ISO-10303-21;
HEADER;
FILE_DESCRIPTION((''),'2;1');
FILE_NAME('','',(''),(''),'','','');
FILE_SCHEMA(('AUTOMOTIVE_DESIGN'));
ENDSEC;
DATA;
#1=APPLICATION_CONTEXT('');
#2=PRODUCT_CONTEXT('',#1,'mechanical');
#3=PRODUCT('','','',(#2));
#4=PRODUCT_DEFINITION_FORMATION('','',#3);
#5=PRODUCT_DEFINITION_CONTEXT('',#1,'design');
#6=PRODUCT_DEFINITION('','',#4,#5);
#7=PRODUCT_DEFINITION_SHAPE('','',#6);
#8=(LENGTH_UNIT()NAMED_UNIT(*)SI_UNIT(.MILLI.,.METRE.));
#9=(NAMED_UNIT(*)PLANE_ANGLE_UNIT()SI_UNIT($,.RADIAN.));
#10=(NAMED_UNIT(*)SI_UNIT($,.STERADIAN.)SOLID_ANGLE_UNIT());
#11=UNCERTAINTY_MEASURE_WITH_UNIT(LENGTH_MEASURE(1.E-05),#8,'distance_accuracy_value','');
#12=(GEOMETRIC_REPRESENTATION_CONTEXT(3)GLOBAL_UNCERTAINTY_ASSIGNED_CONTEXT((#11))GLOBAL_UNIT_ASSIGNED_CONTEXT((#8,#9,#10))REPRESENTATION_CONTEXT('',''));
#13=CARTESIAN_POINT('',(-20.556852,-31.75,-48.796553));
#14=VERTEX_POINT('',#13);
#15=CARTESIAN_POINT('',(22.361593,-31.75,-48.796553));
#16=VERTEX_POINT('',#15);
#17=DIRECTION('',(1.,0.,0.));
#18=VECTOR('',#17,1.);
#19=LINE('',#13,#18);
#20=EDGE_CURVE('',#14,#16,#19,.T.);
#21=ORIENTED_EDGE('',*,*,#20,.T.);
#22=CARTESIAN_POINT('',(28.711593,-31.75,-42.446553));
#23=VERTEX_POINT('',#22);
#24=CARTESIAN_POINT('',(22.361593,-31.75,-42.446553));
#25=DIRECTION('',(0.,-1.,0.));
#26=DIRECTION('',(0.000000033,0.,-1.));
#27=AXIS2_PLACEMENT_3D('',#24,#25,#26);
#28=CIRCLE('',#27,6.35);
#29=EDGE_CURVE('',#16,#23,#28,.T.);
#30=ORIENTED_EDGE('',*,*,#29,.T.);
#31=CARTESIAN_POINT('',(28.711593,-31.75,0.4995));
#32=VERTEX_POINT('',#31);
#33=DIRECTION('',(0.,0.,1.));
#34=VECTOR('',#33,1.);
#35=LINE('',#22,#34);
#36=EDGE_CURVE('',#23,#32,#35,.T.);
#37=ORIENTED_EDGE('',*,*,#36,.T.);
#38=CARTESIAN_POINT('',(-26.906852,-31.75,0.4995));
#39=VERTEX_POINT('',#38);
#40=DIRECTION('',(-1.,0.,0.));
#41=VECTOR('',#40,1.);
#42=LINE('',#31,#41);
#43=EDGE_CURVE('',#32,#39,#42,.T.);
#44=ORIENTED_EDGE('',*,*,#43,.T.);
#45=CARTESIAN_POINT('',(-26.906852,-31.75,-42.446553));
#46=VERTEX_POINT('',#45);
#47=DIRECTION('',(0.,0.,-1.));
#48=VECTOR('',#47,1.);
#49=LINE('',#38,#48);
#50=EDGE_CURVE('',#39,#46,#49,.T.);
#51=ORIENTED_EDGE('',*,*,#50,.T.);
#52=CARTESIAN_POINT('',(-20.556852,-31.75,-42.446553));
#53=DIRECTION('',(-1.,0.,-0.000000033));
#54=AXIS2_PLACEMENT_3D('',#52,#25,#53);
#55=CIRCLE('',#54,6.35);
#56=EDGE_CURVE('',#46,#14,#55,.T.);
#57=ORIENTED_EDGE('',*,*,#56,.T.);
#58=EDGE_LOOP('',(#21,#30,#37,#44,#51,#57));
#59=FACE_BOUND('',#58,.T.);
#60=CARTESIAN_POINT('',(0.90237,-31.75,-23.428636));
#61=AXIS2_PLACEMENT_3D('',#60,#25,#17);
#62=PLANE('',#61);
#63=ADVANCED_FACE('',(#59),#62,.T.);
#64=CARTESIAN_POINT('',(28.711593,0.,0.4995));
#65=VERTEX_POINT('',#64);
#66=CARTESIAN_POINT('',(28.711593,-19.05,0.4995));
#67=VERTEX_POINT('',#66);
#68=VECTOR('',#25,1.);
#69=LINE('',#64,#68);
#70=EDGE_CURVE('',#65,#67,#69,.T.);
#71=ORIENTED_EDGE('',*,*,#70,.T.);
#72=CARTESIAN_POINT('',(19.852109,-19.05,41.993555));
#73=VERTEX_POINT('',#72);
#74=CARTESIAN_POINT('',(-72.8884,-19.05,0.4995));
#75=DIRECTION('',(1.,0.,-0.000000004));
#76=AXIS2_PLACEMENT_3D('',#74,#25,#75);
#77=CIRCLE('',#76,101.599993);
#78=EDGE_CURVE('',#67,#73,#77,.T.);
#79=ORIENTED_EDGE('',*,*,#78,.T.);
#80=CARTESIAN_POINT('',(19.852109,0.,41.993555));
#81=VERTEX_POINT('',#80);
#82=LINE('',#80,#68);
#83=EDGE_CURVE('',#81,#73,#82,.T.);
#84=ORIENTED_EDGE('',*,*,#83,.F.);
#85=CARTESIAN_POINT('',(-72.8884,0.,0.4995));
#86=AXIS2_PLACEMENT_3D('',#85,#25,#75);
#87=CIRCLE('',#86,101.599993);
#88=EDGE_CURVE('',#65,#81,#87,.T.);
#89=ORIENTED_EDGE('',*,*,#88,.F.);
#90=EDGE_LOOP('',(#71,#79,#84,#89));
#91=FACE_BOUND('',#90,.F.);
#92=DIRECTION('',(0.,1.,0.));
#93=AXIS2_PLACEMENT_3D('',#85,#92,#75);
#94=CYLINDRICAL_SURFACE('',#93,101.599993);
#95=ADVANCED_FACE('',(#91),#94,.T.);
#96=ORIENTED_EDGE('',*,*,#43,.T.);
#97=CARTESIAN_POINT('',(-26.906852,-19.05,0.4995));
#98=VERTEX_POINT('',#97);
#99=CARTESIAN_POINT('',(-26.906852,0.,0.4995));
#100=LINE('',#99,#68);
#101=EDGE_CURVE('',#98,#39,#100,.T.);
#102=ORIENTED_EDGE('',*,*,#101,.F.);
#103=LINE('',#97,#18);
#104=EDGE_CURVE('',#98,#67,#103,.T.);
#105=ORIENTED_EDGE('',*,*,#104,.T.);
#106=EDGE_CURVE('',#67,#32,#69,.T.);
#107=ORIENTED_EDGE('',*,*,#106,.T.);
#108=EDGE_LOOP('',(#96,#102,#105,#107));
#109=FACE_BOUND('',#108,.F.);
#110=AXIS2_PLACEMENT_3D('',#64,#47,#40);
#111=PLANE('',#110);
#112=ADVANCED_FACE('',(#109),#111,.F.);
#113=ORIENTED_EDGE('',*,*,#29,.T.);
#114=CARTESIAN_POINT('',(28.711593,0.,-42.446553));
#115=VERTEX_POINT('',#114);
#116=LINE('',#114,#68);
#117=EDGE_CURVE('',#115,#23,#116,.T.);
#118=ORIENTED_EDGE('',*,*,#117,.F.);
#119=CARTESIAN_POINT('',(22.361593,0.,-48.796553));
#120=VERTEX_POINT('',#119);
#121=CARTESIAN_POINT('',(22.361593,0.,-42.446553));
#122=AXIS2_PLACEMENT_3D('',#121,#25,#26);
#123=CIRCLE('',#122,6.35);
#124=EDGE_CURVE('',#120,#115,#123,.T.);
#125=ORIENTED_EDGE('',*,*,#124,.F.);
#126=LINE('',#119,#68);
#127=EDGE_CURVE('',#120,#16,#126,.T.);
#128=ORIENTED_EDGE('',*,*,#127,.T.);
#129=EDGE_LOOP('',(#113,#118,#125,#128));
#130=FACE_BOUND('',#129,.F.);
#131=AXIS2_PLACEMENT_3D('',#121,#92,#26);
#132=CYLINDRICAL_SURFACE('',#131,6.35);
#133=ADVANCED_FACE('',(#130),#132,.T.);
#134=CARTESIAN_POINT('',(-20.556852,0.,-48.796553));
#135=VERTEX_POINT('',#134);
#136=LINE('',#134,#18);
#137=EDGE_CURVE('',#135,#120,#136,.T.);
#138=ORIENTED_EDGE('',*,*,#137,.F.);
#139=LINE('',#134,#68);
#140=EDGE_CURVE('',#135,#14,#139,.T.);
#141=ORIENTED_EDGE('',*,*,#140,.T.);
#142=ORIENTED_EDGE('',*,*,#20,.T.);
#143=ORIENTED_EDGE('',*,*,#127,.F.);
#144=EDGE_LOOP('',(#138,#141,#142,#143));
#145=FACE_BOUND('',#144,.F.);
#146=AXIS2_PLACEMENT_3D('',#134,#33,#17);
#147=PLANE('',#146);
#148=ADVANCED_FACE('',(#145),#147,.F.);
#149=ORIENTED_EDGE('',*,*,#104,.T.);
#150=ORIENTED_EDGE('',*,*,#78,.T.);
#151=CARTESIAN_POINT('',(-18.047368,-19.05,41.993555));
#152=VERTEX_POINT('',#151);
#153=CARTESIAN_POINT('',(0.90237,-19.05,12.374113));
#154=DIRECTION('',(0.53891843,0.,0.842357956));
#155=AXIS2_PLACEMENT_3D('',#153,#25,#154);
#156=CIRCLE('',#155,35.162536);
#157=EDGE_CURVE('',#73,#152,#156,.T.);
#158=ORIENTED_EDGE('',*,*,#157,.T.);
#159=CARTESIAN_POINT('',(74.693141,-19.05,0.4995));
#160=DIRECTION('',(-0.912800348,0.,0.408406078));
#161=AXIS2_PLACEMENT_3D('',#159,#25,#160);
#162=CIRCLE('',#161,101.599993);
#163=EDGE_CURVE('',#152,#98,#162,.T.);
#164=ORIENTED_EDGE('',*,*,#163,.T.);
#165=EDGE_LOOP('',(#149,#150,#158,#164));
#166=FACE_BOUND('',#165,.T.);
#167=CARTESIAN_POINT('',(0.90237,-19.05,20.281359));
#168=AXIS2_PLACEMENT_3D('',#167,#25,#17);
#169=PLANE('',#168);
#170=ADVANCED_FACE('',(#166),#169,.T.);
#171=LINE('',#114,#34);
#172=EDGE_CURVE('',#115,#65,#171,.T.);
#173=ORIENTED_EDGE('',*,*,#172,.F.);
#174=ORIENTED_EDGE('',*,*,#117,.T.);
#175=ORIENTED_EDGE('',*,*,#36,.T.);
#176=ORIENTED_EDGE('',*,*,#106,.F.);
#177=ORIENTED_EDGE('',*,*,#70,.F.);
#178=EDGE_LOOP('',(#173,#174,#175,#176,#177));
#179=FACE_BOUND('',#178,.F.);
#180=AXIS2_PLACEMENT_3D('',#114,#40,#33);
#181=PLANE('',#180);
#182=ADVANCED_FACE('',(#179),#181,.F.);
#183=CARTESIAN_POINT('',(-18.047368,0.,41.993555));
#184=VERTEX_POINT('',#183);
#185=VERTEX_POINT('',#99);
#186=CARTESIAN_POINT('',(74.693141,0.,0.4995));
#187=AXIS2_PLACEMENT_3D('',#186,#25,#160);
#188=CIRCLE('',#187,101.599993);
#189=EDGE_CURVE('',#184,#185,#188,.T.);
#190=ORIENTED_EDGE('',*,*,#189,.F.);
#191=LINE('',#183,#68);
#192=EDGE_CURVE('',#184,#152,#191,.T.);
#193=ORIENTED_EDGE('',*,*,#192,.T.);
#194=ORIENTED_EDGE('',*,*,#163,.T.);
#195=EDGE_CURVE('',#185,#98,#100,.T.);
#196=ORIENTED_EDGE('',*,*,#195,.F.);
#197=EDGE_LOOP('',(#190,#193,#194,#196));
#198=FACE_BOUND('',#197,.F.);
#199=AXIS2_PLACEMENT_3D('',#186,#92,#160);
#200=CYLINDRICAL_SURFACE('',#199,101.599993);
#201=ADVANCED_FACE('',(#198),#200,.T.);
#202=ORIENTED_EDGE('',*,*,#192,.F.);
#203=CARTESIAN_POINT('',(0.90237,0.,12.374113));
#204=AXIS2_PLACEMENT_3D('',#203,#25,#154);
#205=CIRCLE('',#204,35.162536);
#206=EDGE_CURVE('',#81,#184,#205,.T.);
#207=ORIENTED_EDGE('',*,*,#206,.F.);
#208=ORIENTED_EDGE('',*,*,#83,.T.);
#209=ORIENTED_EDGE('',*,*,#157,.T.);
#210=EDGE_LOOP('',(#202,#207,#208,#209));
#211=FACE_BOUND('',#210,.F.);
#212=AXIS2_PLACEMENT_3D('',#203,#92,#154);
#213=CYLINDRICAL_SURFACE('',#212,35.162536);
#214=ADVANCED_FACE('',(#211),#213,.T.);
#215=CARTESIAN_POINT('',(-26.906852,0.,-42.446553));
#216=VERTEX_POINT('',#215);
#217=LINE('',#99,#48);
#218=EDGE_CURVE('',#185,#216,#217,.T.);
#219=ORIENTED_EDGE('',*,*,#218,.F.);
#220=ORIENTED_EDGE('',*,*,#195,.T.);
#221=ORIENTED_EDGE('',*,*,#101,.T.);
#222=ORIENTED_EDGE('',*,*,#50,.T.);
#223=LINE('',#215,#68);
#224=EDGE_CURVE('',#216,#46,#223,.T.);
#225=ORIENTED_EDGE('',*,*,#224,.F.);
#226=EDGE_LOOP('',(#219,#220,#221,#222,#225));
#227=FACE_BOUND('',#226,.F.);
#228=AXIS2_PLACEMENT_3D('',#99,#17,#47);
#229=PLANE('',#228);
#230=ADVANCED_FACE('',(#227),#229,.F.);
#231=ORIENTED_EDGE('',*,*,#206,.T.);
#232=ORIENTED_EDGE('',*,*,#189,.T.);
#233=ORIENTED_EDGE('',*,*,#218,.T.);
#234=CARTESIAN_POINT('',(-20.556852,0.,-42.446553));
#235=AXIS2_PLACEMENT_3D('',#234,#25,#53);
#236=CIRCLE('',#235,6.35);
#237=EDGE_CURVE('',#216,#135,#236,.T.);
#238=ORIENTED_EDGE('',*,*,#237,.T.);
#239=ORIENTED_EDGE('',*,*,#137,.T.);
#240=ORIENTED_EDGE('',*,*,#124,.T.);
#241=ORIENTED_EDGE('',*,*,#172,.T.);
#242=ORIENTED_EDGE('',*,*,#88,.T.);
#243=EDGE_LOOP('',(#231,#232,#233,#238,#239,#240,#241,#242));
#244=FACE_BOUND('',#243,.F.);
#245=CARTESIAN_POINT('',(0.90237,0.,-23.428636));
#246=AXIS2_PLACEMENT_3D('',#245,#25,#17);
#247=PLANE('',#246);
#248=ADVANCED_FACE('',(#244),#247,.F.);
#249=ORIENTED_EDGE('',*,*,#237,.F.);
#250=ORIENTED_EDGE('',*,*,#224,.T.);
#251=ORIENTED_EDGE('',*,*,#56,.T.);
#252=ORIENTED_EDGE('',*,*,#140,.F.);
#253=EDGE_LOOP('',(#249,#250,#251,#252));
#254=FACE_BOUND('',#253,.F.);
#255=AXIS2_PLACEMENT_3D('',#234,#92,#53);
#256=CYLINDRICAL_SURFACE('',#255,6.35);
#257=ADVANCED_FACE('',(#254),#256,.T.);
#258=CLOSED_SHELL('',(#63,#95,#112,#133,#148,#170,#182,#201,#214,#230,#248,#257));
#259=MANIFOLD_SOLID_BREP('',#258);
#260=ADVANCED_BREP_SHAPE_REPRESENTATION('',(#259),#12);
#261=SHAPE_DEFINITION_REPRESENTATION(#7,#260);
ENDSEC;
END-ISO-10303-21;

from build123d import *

# Parameters (mm, degrees)
F1_DEPTH = 19.05
F2_DEPTH = 31.75


with BuildPart() as f1:
    # F0 (on Front) → F1 (new body)
    with BuildSketch(Plane.XZ):
        with BuildLine():
            ThreePointArc((-18.047368, 41.993555), (-24.667298, 21.714159), (-26.906852, 0.4995))
            Line((-26.906852, 0.4995), (28.711593, 0.4995))
            ThreePointArc((28.711593, 0.4995), (26.472039, 21.714159), (19.852109, 41.993555))
            ThreePointArc((19.852109, 41.993555), (0.902371, 47.536649), (-18.047368, 41.993555))
        make_face()
    extrude(amount=F1_DEPTH)

    # F0 (on Front) → F2 (join)
    with BuildSketch(Plane.XZ):
        with BuildLine():
            ThreePointArc((-26.906852, -42.446553), (-25.04698, -46.936681), (-20.556852, -48.796553))
            Line((-20.556852, -48.796553), (22.361593, -48.796553))
            ThreePointArc((22.361593, -48.796553), (26.851721, -46.936681), (28.711593, -42.446553))
            Line((28.711593, -42.446553), (28.711593, 0.4995))
            Line((28.711593, 0.4995), (-26.906852, 0.4995))
            Line((-26.906852, 0.4995), (-26.906852, -42.446553))
        make_face()
    extrude(amount=F2_DEPTH)


solid = f1.part
